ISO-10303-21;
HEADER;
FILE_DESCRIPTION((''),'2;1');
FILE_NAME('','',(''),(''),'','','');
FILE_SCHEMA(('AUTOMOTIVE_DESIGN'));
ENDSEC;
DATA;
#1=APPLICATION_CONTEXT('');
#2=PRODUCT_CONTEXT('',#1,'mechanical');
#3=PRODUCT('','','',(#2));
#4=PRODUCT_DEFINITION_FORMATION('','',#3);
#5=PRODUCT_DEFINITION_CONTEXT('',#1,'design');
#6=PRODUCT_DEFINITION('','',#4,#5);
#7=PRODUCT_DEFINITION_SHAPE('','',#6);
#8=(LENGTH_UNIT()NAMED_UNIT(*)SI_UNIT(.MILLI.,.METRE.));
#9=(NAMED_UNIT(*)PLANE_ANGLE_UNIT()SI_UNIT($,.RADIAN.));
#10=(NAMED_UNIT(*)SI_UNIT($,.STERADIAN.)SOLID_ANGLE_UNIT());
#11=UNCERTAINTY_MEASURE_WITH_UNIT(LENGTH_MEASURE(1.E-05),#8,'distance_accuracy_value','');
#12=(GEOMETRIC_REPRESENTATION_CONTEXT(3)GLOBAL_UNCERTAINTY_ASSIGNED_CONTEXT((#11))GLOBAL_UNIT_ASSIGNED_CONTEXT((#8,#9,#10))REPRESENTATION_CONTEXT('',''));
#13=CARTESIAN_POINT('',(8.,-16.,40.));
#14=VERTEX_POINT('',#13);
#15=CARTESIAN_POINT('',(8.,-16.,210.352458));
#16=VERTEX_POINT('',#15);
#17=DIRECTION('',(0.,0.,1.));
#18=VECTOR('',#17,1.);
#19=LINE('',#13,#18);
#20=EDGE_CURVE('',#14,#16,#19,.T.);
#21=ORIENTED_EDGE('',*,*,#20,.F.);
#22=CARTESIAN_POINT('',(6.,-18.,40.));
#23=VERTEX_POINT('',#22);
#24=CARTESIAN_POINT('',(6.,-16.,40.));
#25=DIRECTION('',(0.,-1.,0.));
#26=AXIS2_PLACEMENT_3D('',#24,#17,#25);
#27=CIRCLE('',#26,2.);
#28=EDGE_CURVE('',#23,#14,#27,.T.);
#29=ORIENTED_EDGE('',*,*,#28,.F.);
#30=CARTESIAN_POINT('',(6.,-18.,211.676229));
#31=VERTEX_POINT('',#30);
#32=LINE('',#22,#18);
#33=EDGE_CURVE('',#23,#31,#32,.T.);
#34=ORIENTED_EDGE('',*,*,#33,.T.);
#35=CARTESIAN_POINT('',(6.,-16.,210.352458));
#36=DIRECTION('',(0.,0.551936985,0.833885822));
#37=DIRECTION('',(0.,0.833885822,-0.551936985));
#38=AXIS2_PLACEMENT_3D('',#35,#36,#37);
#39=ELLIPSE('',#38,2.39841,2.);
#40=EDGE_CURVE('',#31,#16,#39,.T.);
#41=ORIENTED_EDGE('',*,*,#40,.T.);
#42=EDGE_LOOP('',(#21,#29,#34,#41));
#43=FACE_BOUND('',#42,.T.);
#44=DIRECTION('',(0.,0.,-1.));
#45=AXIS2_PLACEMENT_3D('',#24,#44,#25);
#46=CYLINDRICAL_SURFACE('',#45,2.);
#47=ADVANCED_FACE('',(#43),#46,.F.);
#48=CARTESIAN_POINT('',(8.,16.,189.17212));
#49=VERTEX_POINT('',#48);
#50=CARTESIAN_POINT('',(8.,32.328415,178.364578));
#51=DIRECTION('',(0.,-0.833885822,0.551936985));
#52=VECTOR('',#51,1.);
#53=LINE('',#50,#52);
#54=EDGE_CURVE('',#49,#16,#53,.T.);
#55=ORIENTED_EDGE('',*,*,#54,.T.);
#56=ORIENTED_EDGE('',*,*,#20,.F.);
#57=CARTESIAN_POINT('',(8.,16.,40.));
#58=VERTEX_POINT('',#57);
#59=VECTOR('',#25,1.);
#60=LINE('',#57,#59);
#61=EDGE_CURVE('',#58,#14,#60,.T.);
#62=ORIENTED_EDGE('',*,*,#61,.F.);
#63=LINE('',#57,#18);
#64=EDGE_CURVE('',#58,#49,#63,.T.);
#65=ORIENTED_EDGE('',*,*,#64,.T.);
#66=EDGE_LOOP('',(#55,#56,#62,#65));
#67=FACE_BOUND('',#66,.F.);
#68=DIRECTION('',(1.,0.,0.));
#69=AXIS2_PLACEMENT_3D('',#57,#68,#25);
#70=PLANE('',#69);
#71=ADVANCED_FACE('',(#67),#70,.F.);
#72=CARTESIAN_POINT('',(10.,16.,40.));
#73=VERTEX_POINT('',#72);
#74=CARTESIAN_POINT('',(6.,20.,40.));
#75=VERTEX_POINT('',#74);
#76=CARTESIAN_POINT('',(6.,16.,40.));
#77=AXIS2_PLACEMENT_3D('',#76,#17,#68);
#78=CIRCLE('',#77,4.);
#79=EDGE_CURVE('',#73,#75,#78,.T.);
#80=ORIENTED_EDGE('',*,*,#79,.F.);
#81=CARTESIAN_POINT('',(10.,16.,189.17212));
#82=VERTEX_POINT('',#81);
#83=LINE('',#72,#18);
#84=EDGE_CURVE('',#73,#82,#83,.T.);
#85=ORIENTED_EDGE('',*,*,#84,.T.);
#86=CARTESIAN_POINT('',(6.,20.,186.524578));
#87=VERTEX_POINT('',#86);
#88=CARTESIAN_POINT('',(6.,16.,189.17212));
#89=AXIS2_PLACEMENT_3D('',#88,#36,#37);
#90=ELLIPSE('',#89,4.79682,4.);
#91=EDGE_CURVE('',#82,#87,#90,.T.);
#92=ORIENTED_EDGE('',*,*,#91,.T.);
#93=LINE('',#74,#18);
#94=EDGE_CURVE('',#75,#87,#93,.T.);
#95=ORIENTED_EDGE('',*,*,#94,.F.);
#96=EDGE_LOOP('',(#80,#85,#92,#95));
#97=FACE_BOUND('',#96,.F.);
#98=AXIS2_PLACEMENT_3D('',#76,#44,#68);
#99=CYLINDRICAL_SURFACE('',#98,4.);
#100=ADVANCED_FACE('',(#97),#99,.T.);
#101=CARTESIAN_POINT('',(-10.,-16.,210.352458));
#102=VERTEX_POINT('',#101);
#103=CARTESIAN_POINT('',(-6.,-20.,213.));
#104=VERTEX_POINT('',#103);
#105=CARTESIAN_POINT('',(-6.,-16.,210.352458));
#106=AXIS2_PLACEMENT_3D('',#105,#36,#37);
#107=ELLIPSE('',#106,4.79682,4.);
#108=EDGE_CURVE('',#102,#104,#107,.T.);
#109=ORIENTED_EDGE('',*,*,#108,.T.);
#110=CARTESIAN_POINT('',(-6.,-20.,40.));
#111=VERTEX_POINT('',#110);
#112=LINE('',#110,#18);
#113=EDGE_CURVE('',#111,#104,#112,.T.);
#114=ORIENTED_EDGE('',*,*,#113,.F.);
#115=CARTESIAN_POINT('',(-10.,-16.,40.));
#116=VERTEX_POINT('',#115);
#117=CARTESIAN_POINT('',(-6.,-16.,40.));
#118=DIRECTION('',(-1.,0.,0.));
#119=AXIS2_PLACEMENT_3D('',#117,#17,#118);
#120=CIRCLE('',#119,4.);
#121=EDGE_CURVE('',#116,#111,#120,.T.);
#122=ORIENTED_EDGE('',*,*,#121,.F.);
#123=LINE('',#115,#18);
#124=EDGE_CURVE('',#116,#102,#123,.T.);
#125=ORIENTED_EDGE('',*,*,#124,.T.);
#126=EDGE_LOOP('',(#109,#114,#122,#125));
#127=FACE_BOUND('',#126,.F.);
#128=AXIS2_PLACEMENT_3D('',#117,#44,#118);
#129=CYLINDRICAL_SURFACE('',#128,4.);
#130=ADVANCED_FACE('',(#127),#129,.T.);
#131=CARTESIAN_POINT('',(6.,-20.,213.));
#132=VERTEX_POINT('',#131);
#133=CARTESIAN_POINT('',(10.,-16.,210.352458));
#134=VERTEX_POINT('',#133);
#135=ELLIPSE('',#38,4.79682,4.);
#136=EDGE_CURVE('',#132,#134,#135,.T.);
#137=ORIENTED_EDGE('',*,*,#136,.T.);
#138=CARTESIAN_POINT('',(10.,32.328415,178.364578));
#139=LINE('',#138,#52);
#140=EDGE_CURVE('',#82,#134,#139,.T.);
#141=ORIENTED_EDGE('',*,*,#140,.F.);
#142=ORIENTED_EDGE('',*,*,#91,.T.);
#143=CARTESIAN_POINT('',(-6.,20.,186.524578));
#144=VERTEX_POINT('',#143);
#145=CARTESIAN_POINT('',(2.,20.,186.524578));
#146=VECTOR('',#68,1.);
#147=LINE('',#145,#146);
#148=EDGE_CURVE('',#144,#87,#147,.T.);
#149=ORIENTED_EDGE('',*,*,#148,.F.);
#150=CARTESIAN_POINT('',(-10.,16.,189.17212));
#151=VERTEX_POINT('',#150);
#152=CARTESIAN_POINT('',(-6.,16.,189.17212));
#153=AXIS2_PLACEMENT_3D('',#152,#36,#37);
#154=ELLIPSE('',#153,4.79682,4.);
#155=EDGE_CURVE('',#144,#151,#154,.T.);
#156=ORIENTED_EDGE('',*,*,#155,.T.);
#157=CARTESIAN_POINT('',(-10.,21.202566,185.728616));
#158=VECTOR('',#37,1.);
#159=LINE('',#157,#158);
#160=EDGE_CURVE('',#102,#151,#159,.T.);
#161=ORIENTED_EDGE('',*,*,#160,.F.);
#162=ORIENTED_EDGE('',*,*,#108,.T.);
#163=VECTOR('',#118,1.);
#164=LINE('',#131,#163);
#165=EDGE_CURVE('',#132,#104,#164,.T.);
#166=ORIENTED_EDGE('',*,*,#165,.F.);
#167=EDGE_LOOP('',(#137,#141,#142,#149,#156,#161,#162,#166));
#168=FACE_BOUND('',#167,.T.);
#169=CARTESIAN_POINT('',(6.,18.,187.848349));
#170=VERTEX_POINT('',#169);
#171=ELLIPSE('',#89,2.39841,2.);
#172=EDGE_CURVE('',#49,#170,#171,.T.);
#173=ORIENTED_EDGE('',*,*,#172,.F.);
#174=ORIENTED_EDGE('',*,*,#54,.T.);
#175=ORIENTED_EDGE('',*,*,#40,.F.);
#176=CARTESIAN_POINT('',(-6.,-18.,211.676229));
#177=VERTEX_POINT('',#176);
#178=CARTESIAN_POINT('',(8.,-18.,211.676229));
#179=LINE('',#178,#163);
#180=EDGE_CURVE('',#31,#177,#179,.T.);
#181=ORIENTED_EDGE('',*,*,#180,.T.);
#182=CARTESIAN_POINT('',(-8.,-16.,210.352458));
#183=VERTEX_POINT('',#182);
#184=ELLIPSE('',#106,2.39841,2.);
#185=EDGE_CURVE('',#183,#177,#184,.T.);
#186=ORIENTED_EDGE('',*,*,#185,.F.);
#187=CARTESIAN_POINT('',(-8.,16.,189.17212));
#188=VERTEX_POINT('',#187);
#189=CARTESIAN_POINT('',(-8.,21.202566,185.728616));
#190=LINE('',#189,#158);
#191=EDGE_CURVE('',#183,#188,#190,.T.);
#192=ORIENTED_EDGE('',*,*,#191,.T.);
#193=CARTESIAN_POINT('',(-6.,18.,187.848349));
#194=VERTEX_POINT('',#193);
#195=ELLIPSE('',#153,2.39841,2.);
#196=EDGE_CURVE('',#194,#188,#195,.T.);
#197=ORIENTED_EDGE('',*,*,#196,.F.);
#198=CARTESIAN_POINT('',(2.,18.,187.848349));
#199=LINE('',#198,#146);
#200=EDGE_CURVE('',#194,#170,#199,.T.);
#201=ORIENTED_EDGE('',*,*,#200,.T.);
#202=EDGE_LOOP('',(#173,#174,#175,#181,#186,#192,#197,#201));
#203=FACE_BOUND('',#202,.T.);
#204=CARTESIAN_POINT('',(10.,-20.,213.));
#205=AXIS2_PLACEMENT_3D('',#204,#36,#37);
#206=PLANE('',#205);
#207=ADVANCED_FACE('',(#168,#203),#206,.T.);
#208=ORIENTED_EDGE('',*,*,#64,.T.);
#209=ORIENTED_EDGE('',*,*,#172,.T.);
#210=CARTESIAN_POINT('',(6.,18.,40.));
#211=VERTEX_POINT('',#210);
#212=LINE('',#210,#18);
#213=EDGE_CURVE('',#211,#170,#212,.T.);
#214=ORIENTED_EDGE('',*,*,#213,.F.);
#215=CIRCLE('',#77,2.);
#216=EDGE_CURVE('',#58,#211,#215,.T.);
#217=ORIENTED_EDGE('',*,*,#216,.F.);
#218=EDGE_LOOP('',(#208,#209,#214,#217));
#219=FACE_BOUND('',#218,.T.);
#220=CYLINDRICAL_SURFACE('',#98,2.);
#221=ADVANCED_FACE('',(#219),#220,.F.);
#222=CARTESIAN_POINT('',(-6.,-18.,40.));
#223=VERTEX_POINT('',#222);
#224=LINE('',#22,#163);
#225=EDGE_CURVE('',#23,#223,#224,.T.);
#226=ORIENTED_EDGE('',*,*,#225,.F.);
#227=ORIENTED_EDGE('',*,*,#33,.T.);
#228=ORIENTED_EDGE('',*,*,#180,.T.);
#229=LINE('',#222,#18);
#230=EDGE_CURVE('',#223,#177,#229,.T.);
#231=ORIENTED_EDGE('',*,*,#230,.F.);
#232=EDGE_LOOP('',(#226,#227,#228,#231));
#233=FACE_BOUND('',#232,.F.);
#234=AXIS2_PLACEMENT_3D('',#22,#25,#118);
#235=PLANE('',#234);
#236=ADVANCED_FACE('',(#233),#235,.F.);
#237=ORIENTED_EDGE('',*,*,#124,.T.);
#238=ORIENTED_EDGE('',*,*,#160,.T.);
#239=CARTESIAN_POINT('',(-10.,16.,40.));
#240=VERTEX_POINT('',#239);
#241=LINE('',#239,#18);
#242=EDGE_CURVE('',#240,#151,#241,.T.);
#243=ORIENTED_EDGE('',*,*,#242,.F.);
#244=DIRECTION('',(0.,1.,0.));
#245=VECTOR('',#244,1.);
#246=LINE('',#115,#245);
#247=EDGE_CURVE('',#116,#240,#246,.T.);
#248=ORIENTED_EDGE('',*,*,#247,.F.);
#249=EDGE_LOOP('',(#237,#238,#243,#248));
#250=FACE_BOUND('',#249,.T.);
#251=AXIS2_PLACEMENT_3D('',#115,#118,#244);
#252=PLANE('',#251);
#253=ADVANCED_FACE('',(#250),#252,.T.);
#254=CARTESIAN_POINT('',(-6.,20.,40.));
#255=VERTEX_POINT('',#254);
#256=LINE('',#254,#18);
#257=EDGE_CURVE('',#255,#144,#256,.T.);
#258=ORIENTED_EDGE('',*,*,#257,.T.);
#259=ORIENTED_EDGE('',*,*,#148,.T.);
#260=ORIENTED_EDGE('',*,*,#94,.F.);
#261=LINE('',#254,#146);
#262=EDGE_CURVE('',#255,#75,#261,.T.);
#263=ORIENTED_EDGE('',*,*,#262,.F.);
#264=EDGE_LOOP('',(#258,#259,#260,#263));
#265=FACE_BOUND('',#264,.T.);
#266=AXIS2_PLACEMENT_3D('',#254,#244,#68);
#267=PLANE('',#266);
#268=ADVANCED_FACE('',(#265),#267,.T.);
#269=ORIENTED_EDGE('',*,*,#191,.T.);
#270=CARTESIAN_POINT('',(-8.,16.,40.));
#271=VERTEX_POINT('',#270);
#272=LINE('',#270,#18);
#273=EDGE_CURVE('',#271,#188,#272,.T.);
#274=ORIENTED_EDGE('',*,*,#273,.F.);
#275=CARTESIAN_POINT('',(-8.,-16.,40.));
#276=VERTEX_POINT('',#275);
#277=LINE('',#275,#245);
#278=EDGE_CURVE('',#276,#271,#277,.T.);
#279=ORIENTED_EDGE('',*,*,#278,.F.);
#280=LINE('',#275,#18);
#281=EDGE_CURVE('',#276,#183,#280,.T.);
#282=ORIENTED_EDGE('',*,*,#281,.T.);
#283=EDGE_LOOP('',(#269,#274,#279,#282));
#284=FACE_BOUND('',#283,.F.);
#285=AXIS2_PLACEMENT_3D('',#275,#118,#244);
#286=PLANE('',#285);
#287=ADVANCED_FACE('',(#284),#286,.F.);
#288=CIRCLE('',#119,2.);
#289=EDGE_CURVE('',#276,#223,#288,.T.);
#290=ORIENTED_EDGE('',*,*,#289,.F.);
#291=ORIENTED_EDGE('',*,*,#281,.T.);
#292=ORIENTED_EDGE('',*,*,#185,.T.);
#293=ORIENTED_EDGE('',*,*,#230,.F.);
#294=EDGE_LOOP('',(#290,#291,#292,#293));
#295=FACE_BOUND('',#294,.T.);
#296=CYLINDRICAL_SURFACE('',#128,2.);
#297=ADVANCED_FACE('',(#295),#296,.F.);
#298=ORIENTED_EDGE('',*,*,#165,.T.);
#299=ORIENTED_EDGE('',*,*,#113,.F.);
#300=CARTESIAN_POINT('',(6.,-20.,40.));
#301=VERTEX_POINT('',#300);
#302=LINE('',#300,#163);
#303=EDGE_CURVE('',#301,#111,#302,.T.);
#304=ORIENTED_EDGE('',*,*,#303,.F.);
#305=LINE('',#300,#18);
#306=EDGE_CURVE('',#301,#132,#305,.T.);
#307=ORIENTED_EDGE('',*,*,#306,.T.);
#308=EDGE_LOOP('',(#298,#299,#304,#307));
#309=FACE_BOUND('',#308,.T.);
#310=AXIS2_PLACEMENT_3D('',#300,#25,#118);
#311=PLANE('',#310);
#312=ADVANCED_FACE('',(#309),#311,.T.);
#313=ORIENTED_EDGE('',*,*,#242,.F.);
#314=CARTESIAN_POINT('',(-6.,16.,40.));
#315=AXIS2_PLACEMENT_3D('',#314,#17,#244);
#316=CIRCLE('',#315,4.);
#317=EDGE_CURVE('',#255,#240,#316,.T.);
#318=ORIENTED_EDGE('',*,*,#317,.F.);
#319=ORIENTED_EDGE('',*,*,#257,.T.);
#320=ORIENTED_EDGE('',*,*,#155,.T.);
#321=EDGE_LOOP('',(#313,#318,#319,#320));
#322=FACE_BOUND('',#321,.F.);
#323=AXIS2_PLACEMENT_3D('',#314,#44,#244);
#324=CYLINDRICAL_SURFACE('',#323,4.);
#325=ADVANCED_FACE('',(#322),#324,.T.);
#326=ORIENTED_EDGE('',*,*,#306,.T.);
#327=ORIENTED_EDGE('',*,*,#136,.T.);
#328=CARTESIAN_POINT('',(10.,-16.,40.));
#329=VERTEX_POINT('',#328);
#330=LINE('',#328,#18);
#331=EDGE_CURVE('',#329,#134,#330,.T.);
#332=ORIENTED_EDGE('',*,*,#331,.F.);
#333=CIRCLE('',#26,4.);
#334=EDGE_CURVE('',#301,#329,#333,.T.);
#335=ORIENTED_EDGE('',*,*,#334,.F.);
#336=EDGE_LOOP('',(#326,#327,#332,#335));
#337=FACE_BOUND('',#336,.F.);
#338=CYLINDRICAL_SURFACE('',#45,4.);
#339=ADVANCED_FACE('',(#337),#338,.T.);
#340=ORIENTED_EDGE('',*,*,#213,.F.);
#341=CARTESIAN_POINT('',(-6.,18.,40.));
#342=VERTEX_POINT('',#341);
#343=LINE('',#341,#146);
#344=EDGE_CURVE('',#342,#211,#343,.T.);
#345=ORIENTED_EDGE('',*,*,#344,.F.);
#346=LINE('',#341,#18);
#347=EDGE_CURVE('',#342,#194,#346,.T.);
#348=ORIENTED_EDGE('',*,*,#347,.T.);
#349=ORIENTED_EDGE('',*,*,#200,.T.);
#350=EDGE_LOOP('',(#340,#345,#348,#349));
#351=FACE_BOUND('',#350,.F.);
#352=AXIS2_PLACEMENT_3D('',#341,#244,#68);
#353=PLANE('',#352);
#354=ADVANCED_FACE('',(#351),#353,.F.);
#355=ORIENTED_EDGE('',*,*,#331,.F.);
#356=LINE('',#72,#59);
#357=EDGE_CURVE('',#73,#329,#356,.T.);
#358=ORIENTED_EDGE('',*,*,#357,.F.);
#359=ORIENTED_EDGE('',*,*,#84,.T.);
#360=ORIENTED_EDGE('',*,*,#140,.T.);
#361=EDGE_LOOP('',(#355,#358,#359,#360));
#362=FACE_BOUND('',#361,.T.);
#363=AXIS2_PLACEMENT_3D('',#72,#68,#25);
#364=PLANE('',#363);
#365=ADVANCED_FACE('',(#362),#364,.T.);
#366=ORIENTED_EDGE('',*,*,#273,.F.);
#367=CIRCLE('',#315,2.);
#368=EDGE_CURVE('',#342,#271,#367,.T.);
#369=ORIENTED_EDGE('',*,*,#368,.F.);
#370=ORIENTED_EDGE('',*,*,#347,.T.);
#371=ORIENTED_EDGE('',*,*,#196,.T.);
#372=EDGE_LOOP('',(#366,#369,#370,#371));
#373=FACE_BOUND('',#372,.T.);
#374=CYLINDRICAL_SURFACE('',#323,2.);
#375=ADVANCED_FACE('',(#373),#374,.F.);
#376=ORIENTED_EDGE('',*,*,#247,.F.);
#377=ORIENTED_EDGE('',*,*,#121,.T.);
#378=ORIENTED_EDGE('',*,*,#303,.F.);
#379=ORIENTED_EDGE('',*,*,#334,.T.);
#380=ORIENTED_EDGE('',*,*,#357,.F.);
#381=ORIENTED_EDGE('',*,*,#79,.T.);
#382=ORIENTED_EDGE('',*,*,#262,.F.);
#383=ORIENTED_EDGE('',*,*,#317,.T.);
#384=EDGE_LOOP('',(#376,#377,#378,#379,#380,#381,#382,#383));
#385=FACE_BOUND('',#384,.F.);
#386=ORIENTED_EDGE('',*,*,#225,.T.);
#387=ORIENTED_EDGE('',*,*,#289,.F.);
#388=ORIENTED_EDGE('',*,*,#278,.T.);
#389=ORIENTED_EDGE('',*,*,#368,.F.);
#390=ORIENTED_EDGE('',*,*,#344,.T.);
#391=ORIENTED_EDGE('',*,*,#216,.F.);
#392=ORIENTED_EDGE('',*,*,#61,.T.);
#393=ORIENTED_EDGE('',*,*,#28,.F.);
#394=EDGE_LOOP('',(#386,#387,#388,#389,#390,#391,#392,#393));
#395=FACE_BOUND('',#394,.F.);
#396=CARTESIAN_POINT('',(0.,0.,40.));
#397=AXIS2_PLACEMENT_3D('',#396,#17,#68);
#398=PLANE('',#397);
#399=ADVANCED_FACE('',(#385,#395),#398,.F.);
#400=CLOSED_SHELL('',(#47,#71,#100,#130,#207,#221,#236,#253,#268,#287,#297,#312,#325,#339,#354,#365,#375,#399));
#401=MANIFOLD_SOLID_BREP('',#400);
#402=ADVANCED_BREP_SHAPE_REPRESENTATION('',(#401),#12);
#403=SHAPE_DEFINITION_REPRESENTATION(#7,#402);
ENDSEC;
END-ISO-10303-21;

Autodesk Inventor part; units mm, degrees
ref_plane "Start Plane" through (0, 0, 40) normal (0, 0, 1) x (1, 0, 0)
ref_plane "End Plane" through (0, 0, 213) normal (0, 0, 1) x (1, 0, 0)
sketch "Sketch" plane through (0, 0, 0) normal (0, 0, 1) x (1, 0, 0)
  line L0 (-10, -16) -> (-10, 16)
  line L1 (-6, 20) -> (6, 20)
  line L2 (10, 16) -> (10, -16)
  line L3 (6, -20) -> (-6, -20)
  arc A0 (-10, -16) -> (-6, -20) centre (-6, -16) ccw
  arc A1 (10, 16) -> (6, 20) centre (6, 16) ccw
  arc A2 (-6, 20) -> (-10, 16) centre (-6, 16) ccw
  arc A3 (6, -20) -> (10, -16) centre (6, -16) ccw
  arc A4 (-6, 18) -> (-8, 16) centre (-6, 16) ccw
  line L4 (-6, 18) -> (6, 18)
  arc A5 (8, 16) -> (6, 18) centre (6, 16) ccw
  line L5 (8, 16) -> (8, -16)
  arc A6 (6, -18) -> (8, -16) centre (6, -16) ccw
  line L6 (6, -18) -> (-6, -18)
  arc A7 (-8, -16) -> (-6, -18) centre (-6, -16) ccw
  line L7 (-8, -16) -> (-8, 16)
  line L8 (0, 29.1598) -> (0, -29.1598) construction
  line L9 (-15.1598, 0) -> (15.1598, 0) construction
  dimension "d7" = 4
  dimension "d9" = 20
  dimension "d11" = 40
  dimension "d12" = 2
  dimension "d15" = 10
  dimension "d16" = 20
extrude "Body" add sketch "Sketch" along normal up to surface (173 mm away) from surface at 40
sketch "Sketch3" plane through (0, 0, 0) normal (0, 0, 1) x (1, 0, 0)
  line L0 (0, 0) -> (10, 0)
ref_plane "Work Plane3" through (0, 0, 0) normal (0, -1, 0) x (1, 0, 0)
ref_plane "Work Plane5" through (10, -20, 213) normal (0, 0.5519, 0.8339) x (1, 0, 0)
split "Split2" plane through (10, -20, 213) removes the side toward (0, 0.5519, 0.8339)
sketch "Sketch4" plane through (0, 0, 0) normal (0, -1, 0) x (1, 0, 0)
  line L0 (-2, 40) -> (12, 40) projected
  line L1 (-2, 213) -> (12, 213) projected
  dimension "d18" = 173
equation "\"d7\" = G_IR"
equation "\"d9\" = G_W"
equation "\"d11\" = G_H"
equation "\"d12\" = G_T"
equation "\"d15\" = 0.5 * d9"
equation "\"d16\" = 0.5 * d11"
equation "\"d3\" = G_L"
equation "\"G_W\" = 20"
equation "\"G_H\" = 40"
equation "\"G_T\" = 2"
equation "\"G_IR\" = 4"
equation "\"G_L\" = d18"
equation "\"G_OFFSET_END\" = 0"
equation "\"d14\" = G_OFFSET_END + B_L"
equation "\"B_L\" = 213"
properties part number "ISO 4019 - 40x20x2 - 173" material "Steel, Mild"
